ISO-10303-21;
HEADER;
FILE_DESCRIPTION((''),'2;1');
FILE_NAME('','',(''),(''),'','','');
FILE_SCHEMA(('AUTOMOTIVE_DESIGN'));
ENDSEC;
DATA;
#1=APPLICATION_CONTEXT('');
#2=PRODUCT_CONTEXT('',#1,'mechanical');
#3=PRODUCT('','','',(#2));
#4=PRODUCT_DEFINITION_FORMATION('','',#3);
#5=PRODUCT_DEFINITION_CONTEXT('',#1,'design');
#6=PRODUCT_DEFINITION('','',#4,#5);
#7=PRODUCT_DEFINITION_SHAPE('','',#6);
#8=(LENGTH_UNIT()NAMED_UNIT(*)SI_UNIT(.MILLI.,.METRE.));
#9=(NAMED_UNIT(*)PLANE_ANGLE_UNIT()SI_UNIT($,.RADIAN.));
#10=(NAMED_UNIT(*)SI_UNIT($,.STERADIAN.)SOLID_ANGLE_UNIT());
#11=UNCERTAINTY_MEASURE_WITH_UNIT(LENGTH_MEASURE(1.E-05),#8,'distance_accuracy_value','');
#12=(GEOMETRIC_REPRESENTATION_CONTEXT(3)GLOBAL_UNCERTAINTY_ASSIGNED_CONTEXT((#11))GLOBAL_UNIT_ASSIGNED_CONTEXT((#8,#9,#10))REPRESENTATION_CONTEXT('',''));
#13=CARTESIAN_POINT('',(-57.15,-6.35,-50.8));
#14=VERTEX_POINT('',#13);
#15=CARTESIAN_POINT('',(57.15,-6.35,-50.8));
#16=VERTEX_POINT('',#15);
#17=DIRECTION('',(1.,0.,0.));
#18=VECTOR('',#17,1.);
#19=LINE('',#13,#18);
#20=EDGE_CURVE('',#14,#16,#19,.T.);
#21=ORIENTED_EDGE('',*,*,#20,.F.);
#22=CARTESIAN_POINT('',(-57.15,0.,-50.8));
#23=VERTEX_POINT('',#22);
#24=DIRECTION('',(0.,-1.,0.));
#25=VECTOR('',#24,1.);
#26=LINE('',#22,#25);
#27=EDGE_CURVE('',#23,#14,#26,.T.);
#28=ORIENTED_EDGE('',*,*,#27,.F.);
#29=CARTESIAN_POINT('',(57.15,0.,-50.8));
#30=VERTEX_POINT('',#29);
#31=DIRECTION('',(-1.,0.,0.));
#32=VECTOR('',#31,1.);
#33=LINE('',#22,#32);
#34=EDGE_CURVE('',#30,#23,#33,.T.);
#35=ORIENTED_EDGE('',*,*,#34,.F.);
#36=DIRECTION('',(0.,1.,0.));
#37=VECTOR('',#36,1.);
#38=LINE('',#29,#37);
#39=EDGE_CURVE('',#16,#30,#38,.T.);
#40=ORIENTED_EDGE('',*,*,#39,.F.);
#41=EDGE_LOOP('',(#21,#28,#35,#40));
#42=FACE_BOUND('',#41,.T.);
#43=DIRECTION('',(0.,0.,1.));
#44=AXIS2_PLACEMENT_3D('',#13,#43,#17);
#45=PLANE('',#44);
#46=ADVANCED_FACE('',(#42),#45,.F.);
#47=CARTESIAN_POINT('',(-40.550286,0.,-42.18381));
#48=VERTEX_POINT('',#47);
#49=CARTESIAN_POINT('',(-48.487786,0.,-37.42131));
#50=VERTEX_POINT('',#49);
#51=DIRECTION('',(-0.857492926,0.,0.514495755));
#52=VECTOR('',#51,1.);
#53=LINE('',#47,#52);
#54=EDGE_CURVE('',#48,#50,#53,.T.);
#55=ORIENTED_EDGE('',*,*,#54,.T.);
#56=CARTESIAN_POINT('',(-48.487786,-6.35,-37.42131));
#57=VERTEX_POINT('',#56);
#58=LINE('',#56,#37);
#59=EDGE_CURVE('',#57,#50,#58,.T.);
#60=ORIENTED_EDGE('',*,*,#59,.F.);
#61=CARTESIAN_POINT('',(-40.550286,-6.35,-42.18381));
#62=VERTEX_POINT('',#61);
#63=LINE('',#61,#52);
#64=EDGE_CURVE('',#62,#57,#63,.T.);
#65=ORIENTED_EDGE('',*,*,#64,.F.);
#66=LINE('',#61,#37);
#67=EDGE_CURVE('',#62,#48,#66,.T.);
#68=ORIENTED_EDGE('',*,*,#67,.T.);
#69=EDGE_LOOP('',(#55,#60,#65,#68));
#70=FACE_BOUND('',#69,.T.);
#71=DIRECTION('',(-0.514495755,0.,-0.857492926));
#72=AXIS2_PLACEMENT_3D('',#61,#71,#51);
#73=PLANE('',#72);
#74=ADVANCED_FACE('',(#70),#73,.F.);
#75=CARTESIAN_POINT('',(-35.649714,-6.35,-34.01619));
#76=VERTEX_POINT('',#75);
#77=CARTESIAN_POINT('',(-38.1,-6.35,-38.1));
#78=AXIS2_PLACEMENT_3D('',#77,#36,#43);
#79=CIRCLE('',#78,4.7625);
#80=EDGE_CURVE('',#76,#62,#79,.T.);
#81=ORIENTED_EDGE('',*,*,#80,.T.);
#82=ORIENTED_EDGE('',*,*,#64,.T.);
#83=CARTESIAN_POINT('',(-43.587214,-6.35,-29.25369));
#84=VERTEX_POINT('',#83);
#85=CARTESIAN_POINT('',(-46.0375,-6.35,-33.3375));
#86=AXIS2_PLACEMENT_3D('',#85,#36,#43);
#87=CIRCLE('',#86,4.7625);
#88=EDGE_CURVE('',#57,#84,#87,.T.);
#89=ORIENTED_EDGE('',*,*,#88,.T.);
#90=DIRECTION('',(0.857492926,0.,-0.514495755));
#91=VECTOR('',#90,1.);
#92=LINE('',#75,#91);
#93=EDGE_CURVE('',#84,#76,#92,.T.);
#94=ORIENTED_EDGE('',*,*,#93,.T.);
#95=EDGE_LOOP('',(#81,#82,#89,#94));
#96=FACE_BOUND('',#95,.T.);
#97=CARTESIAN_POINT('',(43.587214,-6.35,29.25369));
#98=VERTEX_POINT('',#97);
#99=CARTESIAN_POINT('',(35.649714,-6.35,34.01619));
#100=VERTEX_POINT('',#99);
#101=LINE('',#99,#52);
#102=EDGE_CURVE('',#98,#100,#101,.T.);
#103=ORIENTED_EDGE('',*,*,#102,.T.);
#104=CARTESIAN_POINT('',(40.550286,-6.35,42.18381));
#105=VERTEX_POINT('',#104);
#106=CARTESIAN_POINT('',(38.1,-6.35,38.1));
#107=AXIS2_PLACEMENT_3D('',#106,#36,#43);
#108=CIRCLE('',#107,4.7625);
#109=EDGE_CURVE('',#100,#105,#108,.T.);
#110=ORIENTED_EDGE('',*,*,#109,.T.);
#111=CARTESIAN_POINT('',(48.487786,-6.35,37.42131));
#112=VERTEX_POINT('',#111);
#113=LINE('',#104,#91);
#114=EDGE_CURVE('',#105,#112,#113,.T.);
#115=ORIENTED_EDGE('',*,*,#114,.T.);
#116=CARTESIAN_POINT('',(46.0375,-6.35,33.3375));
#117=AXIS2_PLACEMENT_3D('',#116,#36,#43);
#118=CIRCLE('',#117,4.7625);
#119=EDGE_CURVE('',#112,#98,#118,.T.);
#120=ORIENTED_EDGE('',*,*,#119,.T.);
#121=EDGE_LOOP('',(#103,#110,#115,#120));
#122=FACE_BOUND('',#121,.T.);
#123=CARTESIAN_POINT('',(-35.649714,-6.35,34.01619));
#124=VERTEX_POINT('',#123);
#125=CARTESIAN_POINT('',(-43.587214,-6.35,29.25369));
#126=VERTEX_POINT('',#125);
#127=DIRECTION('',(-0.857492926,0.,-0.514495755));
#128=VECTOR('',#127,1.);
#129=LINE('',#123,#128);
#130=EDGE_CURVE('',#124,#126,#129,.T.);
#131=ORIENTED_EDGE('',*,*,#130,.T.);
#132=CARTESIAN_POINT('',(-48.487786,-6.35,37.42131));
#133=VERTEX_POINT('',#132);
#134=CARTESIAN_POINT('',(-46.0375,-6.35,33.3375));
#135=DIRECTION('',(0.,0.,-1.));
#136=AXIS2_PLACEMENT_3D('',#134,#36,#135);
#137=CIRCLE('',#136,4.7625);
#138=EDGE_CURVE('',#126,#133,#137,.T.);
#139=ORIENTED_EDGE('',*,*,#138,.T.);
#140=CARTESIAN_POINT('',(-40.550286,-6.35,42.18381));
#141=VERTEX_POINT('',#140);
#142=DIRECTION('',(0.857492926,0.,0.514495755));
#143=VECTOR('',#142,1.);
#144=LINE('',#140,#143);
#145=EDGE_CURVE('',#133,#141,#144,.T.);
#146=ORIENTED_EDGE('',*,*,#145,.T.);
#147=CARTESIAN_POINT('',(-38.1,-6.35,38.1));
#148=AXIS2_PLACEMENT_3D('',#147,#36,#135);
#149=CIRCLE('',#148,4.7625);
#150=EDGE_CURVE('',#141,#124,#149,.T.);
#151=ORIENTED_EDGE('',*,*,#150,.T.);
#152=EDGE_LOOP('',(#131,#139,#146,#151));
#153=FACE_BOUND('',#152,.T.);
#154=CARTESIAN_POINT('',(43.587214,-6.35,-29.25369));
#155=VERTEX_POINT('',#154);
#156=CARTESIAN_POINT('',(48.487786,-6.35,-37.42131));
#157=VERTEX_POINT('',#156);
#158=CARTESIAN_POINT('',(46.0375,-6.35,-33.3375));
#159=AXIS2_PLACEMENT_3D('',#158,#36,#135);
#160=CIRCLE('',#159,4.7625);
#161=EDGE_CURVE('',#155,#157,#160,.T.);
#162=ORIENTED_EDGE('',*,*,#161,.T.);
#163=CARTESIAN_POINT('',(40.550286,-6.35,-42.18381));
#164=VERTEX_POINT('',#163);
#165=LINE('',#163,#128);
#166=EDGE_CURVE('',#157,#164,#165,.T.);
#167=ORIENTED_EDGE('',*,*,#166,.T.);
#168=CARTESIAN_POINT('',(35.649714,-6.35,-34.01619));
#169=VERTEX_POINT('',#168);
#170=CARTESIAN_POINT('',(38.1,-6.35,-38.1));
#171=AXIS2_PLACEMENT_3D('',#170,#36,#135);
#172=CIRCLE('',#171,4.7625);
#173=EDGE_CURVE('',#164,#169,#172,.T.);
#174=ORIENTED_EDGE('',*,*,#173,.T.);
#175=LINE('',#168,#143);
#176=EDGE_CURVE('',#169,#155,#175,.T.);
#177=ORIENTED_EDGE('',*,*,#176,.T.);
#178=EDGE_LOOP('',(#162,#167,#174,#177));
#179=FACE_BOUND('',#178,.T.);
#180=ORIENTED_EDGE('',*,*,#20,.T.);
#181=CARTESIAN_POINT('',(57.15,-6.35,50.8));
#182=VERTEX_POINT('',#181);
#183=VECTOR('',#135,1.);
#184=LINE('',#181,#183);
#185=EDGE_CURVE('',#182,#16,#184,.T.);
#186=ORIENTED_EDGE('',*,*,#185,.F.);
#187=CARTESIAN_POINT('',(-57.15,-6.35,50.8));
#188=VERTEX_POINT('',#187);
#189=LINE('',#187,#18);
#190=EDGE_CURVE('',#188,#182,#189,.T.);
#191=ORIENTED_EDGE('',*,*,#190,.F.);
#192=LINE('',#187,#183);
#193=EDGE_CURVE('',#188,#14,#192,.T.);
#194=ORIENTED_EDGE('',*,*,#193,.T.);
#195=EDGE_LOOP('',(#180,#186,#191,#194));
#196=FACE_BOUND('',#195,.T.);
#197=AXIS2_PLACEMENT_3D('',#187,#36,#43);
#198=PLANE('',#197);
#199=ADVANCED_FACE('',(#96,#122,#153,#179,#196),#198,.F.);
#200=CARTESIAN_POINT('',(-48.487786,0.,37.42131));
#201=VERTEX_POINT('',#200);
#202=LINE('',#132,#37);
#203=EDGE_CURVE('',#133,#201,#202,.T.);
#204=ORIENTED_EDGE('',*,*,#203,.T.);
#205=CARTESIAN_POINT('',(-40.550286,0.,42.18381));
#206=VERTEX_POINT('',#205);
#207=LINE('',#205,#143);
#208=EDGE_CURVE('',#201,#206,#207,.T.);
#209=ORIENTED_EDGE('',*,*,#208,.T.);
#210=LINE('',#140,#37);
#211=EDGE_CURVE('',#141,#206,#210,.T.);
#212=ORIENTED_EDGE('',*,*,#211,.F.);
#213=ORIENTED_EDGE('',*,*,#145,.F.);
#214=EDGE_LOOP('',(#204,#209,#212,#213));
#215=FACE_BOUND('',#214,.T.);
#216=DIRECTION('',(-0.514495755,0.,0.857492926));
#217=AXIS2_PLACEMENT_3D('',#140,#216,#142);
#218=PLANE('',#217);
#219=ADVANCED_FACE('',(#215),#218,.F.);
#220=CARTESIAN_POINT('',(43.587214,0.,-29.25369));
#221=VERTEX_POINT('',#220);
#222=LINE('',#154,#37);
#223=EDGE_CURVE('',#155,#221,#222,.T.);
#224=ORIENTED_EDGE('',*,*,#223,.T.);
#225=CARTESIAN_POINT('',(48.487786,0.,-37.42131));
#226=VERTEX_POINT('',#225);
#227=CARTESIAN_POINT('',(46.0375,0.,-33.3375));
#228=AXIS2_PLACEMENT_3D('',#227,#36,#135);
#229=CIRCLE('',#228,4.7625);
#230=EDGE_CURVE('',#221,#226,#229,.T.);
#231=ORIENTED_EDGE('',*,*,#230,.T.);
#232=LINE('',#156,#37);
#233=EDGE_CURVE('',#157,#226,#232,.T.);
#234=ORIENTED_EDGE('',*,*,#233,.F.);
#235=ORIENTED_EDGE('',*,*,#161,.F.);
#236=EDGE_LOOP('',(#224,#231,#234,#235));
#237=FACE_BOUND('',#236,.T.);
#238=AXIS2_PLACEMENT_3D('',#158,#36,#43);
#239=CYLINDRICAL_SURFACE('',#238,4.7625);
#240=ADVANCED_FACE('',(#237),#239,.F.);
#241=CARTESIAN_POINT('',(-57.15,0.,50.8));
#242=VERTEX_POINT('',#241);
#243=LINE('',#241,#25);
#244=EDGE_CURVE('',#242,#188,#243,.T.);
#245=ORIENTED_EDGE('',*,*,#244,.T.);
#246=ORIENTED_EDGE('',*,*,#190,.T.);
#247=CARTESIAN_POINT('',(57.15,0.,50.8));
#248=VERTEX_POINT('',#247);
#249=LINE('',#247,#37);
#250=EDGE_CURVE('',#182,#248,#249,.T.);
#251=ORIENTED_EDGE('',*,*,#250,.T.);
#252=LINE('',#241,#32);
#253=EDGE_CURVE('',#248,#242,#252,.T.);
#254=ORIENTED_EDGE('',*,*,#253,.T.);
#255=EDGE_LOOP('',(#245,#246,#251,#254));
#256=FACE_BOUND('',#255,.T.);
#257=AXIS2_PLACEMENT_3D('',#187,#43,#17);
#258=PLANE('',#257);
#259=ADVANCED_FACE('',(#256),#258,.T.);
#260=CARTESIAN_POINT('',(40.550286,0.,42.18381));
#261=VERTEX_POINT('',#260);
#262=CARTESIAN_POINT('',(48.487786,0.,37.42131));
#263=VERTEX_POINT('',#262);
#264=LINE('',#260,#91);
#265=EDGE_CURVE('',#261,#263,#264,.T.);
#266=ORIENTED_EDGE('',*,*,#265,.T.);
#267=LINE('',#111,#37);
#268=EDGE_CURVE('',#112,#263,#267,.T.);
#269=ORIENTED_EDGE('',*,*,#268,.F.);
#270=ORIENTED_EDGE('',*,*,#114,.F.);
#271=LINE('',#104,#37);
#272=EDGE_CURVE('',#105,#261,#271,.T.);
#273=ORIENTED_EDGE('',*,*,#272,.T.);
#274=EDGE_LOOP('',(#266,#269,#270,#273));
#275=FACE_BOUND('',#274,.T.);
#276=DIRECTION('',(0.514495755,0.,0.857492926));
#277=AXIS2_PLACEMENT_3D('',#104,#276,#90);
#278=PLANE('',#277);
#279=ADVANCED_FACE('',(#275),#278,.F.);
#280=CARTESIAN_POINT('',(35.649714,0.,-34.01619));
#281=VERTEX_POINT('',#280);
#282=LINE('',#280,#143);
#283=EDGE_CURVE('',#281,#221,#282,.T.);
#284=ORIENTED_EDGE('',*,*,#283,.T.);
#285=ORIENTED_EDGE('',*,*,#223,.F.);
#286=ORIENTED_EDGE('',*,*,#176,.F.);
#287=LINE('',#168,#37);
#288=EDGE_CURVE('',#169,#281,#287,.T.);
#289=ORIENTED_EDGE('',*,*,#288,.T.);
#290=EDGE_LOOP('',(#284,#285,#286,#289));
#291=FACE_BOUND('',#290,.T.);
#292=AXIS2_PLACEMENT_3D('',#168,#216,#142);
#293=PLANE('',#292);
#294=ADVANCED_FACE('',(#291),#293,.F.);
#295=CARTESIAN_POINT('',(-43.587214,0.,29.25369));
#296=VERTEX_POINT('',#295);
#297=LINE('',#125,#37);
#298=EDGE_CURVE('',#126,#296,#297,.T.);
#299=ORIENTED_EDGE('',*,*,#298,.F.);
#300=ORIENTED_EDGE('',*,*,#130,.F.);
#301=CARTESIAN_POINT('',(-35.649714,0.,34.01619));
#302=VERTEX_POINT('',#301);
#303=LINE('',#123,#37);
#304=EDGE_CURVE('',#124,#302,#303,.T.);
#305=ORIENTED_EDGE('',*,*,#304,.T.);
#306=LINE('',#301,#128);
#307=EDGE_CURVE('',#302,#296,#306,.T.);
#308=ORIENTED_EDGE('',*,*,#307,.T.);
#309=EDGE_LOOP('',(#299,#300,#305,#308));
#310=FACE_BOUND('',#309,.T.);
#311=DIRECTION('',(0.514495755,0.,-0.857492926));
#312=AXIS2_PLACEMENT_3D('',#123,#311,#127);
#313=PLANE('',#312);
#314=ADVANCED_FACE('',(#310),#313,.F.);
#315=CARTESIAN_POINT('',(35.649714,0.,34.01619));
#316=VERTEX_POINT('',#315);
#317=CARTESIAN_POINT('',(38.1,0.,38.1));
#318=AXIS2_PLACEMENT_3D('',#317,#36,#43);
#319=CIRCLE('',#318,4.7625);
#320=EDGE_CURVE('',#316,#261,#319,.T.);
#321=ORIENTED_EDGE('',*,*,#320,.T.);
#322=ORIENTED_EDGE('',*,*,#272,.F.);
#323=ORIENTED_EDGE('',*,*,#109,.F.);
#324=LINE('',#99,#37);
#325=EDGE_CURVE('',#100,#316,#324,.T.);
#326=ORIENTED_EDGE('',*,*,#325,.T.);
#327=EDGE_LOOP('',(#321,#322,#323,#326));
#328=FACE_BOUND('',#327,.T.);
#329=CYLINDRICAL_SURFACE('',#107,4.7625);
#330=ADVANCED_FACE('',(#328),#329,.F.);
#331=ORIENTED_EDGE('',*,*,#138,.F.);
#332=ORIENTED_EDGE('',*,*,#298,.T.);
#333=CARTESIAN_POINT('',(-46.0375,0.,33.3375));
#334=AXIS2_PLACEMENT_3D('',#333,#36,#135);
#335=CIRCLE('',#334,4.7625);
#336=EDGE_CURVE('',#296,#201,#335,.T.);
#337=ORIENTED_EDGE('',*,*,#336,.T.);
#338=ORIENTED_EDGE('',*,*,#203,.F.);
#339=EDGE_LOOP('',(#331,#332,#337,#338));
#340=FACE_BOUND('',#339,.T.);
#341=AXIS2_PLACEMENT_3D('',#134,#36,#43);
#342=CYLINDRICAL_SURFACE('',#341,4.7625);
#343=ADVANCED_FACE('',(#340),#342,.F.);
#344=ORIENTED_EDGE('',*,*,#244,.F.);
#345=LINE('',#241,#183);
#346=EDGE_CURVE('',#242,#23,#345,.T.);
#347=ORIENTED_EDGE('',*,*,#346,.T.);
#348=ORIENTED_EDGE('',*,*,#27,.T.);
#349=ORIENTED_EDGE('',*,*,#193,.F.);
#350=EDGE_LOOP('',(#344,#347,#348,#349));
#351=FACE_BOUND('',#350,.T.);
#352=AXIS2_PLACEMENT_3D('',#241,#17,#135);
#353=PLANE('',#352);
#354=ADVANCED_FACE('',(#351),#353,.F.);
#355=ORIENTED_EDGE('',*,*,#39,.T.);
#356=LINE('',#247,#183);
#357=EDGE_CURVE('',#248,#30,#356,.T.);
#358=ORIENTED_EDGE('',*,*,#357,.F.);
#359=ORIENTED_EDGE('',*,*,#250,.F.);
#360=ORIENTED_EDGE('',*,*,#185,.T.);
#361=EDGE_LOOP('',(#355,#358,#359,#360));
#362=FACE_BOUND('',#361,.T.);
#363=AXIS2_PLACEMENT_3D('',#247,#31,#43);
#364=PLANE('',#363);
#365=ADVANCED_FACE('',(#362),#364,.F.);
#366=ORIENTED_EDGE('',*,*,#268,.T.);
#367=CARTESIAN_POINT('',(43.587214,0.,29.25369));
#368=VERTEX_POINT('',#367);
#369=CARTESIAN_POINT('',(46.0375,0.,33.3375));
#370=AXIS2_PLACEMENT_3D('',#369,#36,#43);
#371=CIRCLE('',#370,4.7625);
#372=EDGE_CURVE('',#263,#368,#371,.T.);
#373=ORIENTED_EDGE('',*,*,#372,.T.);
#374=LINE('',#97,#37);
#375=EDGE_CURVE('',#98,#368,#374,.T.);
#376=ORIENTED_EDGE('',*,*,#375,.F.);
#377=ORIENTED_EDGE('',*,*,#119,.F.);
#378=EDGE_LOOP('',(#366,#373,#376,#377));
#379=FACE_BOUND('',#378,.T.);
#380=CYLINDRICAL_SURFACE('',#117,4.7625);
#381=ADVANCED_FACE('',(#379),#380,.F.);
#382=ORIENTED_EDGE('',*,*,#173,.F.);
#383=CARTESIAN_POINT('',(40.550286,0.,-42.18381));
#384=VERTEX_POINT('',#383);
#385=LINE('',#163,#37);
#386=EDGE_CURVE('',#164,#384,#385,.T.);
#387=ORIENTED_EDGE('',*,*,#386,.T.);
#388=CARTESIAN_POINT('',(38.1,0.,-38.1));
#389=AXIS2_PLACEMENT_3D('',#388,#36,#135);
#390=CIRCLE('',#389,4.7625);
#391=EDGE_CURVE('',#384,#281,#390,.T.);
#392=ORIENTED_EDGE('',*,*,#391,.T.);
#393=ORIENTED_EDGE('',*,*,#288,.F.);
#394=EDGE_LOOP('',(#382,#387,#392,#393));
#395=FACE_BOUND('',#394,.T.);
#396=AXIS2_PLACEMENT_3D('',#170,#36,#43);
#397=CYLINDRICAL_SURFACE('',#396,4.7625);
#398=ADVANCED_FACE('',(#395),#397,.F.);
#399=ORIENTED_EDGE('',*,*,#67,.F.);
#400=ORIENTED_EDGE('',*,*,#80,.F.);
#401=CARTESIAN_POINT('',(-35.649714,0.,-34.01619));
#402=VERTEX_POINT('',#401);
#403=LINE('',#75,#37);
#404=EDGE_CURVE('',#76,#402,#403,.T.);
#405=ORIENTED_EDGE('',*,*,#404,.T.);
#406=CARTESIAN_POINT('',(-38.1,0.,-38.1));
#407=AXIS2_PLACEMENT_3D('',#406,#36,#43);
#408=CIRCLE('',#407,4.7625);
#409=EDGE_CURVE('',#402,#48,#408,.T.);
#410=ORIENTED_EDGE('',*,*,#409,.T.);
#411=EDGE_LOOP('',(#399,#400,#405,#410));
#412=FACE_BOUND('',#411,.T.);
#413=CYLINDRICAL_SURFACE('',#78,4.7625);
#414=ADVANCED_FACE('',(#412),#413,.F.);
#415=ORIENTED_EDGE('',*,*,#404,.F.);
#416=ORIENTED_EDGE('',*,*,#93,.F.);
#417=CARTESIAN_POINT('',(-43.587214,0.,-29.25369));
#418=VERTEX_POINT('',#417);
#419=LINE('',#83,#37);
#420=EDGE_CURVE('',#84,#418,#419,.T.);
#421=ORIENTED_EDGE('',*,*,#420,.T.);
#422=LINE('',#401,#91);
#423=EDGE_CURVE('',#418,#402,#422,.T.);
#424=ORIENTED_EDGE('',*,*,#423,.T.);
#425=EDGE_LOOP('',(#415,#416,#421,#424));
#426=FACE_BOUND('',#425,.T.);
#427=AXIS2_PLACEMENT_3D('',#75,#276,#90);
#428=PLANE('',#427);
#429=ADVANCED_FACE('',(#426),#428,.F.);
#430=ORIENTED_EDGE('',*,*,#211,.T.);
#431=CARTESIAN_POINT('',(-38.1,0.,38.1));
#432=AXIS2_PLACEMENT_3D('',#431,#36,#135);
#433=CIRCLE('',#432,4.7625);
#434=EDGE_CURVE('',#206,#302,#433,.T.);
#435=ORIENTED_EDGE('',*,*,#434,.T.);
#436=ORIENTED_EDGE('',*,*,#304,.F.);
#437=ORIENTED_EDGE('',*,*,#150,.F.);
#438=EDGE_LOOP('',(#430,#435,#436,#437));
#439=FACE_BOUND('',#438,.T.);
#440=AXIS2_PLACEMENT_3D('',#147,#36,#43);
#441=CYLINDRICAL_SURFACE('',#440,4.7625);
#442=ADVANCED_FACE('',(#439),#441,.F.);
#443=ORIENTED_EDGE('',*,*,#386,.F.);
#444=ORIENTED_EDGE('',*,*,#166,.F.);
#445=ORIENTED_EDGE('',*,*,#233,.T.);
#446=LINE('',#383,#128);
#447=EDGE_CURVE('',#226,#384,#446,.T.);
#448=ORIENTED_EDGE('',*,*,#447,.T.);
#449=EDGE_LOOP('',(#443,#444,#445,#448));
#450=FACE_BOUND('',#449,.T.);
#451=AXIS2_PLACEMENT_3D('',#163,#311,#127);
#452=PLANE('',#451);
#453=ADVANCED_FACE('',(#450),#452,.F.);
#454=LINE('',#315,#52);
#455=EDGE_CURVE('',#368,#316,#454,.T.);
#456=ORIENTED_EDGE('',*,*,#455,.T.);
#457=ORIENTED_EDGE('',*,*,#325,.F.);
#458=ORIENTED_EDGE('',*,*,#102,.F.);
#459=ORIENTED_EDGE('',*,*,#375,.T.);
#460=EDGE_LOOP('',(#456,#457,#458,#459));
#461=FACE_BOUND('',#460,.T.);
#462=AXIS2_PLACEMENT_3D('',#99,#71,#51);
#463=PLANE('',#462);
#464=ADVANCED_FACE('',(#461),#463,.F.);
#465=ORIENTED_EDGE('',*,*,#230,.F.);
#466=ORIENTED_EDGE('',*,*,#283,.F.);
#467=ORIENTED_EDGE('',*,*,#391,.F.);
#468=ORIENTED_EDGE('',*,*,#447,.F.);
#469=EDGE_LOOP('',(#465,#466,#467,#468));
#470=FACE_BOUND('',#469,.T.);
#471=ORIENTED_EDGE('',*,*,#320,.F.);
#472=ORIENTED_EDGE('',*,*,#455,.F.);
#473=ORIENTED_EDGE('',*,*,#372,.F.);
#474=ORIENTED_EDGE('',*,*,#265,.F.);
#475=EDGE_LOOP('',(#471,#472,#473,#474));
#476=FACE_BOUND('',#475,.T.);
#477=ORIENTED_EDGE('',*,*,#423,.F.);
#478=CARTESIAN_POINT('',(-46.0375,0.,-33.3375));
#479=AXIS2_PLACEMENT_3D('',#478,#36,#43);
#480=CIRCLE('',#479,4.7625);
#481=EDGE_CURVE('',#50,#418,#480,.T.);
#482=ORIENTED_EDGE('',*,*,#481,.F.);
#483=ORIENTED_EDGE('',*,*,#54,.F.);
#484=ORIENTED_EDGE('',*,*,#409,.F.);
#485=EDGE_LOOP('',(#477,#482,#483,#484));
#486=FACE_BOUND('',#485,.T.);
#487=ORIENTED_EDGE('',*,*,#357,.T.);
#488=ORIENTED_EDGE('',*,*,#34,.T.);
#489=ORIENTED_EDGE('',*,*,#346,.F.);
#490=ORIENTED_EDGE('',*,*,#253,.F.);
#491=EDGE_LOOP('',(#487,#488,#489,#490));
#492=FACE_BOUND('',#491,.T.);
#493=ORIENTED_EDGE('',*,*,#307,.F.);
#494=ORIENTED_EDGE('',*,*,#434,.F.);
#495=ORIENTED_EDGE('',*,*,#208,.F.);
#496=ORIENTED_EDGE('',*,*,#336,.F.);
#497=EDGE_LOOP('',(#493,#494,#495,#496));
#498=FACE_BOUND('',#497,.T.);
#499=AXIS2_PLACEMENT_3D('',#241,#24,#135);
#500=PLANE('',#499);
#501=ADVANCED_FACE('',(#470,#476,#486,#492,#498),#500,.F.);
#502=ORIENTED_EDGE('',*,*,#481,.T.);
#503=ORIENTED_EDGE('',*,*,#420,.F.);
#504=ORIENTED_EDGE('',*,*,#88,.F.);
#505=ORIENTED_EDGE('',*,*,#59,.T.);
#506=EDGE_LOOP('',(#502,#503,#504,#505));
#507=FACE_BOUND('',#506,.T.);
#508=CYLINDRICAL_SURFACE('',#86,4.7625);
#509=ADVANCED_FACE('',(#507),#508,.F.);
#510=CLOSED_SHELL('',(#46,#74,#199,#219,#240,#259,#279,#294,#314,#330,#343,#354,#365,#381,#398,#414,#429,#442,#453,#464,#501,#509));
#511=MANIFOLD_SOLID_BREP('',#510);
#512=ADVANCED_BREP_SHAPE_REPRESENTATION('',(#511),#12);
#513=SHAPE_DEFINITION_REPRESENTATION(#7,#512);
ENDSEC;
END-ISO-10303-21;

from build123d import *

# Parameters (mm, degrees)
SKETCH1_W           = 114.3
SKETCH1_H           = 6.35
BOSS_EXTRUDE1_DEPTH = 50.8
F_1_2_HOLES_DEPTH   = 7.35


with BuildPart() as part:
    # Sketch1 → Boss-Extrude1 (new body, symmetric)
    with BuildSketch(Plane.XY):
        with Locations((0, -3.175)):
            Rectangle(SKETCH1_W, SKETCH1_H)
    extrude(amount=BOSS_EXTRUDE1_DEPTH, both=True)

    # Sketch2 → 1-2 holes (cut, through all)
    with BuildSketch(Plane(origin=(0, 0, 0), x_dir=(1, 0, 0), z_dir=(0, 1, 0))):
        with BuildLine():
            Line((-35.649713965, 34.016189941), (-43.587213965, 29.253689941))
            ThreePointArc((-43.587213965, 29.253689941), (-50.121310059, 30.887213965), (-48.487786035, 37.421310059))
            Line((-48.487786035, 37.421310059), (-40.550286035, 42.183810059))
            ThreePointArc((-40.550286035, 42.183810059), (-34.016189941, 40.550286035), (-35.649713965, 34.016189941))
        make_face()
        with BuildLine():
            Line((-35.649713965, -34.016189941), (-43.587213965, -29.253689941))
            ThreePointArc((-43.587213965, -29.253689941), (-50.121310059, -30.887213965), (-48.487786035, -37.421310059))
            Line((-48.487786035, -37.421310059), (-40.550286035, -42.183810059))
            ThreePointArc((-40.550286035, -42.183810059), (-34.016189941, -40.550286035), (-35.649713965, -34.016189941))
        make_face()
        with BuildLine():
            Line((35.649713965, 34.016189941), (43.587213965, 29.253689941))
            ThreePointArc((43.587213965, 29.253689941), (50.121310059, 30.887213965), (48.487786035, 37.421310059))
            Line((48.487786035, 37.421310059), (40.550286035, 42.183810059))
            ThreePointArc((40.550286035, 42.183810059), (34.016189941, 40.550286035), (35.649713965, 34.016189941))
        make_face()
        with BuildLine():
            Line((35.649713965, -34.016189941), (43.587213965, -29.253689941))
            ThreePointArc((43.587213965, -29.253689941), (50.121310059, -30.887213965), (48.487786035, -37.421310059))
            Line((48.487786035, -37.421310059), (40.550286035, -42.183810059))
            ThreePointArc((40.550286035, -42.183810059), (34.016189941, -40.550286035), (35.649713965, -34.016189941))
        make_face()
    extrude(amount=-F_1_2_HOLES_DEPTH, mode=Mode.SUBTRACT)


solid = part.part
